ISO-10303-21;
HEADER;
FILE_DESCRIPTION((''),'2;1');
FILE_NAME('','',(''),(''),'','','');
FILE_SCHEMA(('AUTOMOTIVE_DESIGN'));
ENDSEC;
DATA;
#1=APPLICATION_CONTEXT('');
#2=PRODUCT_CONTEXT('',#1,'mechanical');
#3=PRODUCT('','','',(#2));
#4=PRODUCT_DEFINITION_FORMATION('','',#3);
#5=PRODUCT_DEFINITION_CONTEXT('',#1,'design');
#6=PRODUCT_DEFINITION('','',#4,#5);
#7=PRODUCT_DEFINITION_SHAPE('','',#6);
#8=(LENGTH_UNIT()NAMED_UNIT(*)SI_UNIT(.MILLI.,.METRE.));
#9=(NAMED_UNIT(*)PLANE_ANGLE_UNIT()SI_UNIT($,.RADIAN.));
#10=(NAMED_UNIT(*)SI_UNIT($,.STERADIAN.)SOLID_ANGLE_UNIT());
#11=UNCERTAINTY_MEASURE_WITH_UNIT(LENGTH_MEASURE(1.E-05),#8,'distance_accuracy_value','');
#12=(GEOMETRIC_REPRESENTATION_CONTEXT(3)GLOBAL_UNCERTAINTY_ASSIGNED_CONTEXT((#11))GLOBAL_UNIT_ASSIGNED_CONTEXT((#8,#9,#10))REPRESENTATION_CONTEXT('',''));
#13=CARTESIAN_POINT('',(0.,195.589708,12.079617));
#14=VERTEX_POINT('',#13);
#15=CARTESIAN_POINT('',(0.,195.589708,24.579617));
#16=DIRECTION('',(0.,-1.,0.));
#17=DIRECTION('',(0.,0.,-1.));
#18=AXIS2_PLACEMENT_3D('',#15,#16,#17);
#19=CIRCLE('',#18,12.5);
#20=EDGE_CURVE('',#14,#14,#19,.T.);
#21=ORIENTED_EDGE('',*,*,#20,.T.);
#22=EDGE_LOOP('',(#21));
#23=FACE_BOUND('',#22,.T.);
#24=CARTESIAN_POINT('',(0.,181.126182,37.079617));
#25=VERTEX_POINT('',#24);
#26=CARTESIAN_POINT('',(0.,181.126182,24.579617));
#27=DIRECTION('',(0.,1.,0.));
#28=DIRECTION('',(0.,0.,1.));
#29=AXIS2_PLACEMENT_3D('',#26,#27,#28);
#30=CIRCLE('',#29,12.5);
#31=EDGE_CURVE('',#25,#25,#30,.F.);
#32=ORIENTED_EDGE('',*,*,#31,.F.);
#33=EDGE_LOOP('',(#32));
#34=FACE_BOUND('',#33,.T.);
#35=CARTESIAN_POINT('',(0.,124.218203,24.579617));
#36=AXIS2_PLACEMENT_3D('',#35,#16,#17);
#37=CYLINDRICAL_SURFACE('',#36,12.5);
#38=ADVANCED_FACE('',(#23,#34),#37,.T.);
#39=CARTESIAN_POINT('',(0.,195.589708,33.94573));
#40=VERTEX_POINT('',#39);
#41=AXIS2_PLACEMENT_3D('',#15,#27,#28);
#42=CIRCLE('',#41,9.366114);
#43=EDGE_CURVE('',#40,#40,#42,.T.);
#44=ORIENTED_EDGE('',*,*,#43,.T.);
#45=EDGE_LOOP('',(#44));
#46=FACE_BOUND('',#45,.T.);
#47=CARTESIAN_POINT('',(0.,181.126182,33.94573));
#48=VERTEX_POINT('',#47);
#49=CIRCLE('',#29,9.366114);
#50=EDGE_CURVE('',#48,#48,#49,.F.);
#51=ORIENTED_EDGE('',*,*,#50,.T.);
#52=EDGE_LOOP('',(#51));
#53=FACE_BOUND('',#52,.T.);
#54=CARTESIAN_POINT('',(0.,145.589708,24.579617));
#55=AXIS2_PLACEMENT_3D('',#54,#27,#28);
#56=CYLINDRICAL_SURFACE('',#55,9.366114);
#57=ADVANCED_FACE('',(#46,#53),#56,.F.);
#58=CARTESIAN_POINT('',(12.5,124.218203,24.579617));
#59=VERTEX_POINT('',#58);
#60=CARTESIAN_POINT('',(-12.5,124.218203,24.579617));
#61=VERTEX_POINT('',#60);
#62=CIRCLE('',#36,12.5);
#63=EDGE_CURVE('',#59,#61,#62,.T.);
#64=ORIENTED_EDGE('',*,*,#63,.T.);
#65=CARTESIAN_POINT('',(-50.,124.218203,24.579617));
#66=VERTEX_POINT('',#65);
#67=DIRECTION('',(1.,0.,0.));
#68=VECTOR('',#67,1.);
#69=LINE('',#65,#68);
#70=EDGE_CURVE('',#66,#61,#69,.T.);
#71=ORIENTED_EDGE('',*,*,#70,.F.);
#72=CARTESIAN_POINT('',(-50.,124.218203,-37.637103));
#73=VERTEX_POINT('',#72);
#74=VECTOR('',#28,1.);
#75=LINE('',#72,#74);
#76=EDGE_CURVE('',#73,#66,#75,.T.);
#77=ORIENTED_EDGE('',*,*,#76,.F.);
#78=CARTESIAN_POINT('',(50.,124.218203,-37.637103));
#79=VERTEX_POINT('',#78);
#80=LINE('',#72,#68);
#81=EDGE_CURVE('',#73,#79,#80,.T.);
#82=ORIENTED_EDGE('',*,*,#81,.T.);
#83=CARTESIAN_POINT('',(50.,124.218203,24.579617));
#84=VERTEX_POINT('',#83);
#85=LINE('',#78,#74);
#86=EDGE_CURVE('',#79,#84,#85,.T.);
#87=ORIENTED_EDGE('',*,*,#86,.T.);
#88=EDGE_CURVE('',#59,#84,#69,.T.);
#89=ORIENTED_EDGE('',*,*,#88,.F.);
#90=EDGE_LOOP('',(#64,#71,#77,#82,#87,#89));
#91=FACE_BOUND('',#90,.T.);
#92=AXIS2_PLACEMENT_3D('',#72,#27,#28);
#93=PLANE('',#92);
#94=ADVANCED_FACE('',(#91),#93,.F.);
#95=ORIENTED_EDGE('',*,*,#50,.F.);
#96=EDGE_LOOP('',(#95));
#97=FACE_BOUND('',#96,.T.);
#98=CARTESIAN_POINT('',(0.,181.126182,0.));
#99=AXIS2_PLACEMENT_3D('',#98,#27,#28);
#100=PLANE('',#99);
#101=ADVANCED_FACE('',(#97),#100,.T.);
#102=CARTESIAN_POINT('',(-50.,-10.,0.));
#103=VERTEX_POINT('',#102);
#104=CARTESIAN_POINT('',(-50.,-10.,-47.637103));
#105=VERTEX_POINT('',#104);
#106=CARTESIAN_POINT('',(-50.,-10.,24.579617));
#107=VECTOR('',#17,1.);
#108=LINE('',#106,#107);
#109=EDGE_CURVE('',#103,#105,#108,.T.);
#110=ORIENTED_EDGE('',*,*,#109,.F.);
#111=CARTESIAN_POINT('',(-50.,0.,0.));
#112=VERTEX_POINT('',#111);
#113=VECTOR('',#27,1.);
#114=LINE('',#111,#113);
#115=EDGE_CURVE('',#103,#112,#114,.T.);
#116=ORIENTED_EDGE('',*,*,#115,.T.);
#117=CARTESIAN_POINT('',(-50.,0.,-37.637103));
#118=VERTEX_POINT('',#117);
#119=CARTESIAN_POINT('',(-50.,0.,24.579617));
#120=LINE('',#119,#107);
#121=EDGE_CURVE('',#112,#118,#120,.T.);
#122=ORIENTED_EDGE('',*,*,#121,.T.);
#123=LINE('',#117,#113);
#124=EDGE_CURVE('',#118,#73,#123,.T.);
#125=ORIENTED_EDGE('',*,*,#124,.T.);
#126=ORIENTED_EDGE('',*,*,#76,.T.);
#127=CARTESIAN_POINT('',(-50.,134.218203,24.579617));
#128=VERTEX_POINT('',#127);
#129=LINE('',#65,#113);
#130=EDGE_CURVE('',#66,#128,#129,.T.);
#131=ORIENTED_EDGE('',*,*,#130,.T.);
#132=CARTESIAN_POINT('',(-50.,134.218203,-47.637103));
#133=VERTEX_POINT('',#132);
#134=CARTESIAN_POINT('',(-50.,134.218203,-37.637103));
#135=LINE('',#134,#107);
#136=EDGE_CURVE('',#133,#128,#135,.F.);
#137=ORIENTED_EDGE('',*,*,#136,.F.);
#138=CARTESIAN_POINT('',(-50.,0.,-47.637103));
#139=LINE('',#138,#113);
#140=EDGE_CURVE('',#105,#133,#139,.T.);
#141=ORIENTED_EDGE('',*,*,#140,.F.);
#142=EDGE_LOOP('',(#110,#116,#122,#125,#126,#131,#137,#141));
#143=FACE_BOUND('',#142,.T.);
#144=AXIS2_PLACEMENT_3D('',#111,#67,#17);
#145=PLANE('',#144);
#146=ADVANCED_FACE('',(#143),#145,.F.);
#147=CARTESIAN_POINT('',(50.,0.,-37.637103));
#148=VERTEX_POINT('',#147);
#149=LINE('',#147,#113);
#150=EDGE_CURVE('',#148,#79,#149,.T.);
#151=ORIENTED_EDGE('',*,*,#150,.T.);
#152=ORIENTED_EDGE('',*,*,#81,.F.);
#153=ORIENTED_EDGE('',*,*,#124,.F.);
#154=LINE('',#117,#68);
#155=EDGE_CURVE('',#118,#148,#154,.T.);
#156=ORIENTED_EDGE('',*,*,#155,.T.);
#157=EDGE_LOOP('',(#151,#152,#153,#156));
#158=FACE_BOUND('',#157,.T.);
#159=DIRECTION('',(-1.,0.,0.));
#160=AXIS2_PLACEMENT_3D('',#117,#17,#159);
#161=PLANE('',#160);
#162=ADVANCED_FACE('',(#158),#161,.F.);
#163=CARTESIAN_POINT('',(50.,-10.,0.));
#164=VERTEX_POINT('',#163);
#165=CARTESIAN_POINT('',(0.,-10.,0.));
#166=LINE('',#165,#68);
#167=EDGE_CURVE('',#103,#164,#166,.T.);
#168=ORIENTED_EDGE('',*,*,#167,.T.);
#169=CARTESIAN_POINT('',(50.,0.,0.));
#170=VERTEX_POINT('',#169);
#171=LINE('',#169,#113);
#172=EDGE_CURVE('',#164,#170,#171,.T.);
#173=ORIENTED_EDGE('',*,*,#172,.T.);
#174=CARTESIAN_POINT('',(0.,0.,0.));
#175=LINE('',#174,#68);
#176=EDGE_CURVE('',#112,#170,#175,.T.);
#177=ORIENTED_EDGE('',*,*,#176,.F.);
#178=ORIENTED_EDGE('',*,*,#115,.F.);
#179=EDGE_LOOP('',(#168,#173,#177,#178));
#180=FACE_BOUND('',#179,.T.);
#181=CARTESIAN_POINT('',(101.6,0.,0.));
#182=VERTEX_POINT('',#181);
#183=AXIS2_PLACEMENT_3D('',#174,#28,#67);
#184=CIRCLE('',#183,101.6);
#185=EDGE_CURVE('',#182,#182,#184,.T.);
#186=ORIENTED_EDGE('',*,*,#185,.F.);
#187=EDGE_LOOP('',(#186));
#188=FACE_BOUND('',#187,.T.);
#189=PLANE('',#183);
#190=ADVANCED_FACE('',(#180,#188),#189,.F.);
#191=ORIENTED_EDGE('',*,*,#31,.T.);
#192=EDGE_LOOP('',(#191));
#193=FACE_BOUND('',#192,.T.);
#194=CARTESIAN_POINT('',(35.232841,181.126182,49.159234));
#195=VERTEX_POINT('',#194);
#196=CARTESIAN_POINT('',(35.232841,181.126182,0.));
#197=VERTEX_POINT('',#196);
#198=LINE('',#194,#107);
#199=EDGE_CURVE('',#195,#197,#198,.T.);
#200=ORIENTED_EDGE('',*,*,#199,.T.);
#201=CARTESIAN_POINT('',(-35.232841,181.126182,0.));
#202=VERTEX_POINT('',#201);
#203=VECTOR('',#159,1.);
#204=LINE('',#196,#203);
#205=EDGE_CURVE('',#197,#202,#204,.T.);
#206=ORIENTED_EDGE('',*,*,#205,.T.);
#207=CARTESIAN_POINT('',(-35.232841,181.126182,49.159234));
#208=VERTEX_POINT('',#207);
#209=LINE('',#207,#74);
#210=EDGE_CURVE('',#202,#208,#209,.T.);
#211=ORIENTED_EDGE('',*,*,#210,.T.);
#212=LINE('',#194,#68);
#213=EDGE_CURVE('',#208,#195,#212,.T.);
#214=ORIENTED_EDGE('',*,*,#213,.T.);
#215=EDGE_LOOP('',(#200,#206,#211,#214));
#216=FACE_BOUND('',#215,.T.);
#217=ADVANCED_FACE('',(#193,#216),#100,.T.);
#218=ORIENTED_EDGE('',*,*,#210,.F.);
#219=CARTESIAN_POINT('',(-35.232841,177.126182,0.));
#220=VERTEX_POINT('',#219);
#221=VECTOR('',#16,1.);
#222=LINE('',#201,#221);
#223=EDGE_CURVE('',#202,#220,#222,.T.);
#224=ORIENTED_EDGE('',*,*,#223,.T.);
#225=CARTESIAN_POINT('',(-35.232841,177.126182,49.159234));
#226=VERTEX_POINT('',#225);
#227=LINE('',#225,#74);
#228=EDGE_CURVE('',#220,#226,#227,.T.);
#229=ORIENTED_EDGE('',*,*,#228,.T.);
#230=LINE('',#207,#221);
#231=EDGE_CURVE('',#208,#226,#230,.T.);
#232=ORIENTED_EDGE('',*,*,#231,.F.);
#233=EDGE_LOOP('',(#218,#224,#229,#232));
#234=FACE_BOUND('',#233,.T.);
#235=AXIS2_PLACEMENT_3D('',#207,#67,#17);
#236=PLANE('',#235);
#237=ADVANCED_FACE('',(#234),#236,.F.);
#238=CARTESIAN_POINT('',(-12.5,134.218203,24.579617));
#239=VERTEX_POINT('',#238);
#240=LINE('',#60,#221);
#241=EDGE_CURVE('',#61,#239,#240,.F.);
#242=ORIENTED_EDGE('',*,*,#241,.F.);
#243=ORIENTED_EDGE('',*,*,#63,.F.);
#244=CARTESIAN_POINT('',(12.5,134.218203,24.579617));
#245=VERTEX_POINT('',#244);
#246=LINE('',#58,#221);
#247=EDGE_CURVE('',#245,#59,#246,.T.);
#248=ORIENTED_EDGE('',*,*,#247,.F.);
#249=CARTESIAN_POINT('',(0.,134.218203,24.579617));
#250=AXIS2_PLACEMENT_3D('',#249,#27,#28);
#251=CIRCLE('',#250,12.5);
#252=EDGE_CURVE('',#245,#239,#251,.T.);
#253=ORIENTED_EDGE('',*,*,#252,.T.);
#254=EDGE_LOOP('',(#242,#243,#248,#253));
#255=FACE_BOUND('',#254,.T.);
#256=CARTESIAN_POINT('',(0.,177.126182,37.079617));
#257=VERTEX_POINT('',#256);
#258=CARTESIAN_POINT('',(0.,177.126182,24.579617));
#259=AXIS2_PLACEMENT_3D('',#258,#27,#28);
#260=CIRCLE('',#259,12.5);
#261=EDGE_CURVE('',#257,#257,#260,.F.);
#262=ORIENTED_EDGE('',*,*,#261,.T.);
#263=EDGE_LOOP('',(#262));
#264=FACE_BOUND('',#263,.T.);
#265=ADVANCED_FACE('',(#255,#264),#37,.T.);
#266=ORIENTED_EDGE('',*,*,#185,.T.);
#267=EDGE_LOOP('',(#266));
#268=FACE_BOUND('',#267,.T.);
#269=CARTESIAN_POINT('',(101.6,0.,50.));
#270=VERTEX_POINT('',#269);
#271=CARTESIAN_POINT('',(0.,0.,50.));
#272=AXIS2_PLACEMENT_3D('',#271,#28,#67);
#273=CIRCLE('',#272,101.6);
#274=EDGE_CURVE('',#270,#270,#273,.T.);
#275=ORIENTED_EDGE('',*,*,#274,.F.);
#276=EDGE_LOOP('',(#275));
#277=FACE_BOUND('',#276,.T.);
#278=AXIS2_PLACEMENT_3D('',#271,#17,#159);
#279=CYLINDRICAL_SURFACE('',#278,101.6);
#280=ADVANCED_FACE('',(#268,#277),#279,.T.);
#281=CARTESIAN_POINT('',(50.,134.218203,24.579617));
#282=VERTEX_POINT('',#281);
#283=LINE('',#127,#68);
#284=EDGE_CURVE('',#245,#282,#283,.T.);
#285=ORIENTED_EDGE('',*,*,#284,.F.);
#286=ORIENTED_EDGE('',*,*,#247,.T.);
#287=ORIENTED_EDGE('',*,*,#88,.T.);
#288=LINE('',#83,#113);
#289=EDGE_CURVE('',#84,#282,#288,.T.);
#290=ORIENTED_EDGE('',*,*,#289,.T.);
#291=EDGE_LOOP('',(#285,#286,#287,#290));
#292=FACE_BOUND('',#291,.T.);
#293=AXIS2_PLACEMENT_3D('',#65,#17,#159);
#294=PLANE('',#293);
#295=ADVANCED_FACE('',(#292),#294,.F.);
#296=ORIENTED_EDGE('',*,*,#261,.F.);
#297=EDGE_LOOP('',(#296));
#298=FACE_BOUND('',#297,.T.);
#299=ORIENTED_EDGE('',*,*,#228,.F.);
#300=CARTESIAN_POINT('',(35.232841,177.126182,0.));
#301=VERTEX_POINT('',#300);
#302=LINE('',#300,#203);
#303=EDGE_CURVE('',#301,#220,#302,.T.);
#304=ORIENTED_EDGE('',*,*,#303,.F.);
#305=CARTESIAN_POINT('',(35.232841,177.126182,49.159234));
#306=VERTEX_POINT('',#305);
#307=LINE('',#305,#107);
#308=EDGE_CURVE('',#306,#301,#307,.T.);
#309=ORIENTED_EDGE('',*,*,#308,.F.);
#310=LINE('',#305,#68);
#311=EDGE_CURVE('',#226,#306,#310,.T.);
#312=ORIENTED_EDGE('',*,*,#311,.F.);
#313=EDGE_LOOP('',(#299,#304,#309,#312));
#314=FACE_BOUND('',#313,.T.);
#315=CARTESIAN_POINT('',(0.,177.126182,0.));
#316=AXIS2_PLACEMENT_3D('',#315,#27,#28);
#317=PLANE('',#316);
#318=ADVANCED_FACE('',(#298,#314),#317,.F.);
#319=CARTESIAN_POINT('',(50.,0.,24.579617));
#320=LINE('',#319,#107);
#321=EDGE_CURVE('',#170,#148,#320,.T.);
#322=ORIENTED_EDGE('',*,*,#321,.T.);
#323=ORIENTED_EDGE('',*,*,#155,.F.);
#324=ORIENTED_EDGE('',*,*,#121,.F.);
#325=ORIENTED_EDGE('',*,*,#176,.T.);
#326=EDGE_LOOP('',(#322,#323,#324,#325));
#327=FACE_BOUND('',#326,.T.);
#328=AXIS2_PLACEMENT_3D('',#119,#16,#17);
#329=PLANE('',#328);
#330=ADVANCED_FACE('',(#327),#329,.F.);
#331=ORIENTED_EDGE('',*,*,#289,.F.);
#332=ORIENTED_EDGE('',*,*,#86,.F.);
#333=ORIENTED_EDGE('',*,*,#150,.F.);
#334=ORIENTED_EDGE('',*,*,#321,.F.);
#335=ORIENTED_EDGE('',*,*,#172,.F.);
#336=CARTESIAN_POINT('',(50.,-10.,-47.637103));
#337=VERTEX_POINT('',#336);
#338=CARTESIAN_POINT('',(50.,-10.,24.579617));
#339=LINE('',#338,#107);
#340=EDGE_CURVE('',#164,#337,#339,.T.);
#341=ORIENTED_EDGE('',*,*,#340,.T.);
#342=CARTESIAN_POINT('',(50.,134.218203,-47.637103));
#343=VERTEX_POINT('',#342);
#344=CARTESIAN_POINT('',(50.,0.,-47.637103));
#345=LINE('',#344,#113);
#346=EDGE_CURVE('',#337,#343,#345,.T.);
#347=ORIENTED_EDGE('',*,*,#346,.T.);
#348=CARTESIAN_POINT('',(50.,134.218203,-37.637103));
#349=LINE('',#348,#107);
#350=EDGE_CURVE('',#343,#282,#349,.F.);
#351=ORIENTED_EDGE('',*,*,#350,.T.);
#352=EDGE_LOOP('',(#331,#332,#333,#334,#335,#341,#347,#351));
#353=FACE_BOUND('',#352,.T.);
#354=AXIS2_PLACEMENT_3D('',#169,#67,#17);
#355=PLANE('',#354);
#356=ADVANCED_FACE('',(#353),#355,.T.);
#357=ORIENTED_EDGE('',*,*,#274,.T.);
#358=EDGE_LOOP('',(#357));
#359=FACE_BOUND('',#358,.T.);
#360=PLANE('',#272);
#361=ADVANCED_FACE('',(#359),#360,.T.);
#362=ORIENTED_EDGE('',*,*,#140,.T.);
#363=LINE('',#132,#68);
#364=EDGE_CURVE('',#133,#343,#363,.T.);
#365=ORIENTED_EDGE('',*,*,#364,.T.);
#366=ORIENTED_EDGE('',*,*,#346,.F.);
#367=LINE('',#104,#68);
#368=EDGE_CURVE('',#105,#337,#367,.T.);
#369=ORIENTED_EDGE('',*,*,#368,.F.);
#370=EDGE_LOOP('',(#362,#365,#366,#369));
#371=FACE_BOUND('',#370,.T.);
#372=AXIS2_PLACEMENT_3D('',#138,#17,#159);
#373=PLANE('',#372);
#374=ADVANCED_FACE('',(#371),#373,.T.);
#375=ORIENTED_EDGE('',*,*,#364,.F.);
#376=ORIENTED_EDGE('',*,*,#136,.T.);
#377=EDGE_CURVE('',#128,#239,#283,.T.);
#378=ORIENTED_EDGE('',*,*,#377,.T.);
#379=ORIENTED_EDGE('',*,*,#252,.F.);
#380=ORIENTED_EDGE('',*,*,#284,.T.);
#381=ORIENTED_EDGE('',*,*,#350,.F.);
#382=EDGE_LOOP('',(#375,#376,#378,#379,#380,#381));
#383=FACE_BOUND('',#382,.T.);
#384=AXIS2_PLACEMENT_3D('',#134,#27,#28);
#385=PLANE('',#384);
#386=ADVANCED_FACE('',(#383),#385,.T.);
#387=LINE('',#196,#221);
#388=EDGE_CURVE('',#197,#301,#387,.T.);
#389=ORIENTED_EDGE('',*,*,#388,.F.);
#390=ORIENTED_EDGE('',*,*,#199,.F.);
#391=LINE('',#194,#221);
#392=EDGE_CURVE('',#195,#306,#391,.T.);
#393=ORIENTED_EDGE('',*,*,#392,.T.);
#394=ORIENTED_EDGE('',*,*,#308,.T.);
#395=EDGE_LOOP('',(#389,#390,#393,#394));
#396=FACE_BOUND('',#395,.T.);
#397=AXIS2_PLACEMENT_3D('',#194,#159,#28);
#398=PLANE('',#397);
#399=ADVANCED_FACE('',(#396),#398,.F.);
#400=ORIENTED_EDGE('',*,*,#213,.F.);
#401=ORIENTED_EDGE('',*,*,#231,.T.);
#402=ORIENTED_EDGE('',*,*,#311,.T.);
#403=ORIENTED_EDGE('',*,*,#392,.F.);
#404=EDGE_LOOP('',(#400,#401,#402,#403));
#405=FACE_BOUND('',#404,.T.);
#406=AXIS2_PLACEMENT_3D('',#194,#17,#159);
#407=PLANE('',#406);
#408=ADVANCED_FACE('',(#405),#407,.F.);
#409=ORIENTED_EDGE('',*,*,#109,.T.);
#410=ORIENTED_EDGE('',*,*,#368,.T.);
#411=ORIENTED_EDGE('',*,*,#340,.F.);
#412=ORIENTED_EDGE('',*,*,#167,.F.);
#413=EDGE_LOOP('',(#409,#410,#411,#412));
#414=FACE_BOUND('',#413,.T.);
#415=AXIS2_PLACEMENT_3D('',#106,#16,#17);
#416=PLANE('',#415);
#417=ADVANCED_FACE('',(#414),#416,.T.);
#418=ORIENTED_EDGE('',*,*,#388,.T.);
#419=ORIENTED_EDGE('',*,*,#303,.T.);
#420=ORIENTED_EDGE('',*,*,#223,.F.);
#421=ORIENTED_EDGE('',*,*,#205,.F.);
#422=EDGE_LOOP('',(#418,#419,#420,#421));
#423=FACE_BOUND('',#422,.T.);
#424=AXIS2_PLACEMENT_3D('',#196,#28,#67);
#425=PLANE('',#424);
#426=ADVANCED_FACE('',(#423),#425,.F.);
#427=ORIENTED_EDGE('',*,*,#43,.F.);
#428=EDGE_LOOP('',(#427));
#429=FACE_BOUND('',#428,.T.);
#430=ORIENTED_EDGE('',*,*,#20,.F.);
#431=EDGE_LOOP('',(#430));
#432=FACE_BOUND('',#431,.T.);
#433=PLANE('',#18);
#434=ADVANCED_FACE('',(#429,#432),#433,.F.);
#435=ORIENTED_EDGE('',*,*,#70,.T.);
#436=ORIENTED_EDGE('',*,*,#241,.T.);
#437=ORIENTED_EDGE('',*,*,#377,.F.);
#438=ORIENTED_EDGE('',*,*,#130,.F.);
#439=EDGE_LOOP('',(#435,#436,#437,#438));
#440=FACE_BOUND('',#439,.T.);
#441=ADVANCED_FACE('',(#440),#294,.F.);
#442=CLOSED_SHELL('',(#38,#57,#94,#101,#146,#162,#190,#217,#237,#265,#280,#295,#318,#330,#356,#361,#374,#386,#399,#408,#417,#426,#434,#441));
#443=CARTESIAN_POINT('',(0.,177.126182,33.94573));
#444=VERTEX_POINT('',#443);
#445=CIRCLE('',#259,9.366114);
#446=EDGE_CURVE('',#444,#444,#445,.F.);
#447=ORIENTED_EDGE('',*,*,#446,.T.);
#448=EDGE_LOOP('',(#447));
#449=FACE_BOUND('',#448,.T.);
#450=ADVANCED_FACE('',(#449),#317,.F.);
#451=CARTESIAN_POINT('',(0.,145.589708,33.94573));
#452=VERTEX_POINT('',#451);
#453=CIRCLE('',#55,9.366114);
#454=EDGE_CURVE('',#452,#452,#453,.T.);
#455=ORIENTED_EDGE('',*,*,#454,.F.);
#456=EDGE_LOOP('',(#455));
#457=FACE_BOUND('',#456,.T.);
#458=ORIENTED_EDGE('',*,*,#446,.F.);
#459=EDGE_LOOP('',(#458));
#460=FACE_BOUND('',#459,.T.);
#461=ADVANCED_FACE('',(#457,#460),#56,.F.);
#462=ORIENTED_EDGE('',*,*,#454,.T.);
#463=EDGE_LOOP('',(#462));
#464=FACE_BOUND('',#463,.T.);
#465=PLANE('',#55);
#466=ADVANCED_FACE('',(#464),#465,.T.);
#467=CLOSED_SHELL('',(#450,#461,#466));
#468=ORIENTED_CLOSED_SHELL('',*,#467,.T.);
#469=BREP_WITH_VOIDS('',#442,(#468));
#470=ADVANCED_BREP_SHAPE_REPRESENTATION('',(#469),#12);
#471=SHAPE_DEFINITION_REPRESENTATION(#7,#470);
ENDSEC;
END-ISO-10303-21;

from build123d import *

# Parameters (mm, degrees)
SKETCH1_R                = 101.6
BOSS_EXTRUDE1_DEPTH      = 50
SKETCH4_W                = 12.5
SKETCH4_H                = 71.371504998
EXTRUDE_THIN1_DEPTH      = 50
EXTRUDE_THIN1_DEPTH_BACK = 50
SKETCH5_R                = 9.366113587
CUT_EXTRUDE1_DEPTH       = 50
SKETCH6_W                = 70.465682624
SKETCH6_H                = 49.159233517
BOSS_EXTRUDE2_DEPTH      = 4


with BuildPart() as part:
    # Sketch1 → Boss-Extrude1 (new body)
    with BuildSketch(Plane.XY):
        Circle(SKETCH1_R)
    extrude(amount=BOSS_EXTRUDE1_DEPTH)



with BuildPart() as body_2:
    # Sketch4 → Revolve-Thin1 (revolve)
    with BuildSketch(Plane(origin=(0, 0, 0), x_dir=(0, 0, -1), z_dir=(1, 0, 0)), mode=Mode.PRIVATE) as revolve_thin1_sk:
        with Locations((-30.829616759, 159.903955702)):
            Rectangle(SKETCH4_W, SKETCH4_H)
    revolve(revolve_thin1_sk.sketch.rotate(Axis((0, 124.218203203, 24.579616759), (0, 1, 0)), 180), axis=Axis((0, 124.218203203, 24.579616759), (0, 1, 0)))


with BuildPart() as part_1:
    add(part.part)

    add(body_2.part)  # Extrude-Thin1 merges body 2
    # Sketch3 → Extrude-Thin1 (add, two sides: drawn at the far end of the back side and taken through both)
    with BuildSketch(Plane(origin=(0, 0, 0), x_dir=(0, 0, -1), z_dir=(1, 0, 0)).offset(-EXTRUDE_THIN1_DEPTH_BACK)):
        Polygon((-24.579616759, 0), (37.637102953, 0), (37.637102953, 124.218203203), (-24.579616759, 124.218203203), (-24.579616759, 134.218203203), (47.637102953, 134.218203203), (47.637102953, -10), (-24.579616759, -10), align=None)
    extrude(amount=EXTRUDE_THIN1_DEPTH + EXTRUDE_THIN1_DEPTH_BACK)

    # Sketch5 → Cut-Extrude1 (cut)
    with BuildSketch(Plane(origin=(0, 195.589708201, 0), x_dir=(1, 0, 0), z_dir=(0, 1, 0))):
        with Locations(Location((0, -24.579616759, 0), (0, 0, 270))):
            Circle(SKETCH5_R)
    extrude(amount=-CUT_EXTRUDE1_DEPTH, mode=Mode.SUBTRACT)

    # Sketch6 → Boss-Extrude2 (add)
    with BuildSketch(Plane(origin=(0, 177.126182074, 0), x_dir=(1, 0, 0), z_dir=(0, 1, 0))):
        with Locations((0, -24.579616759)):
            Rectangle(SKETCH6_W, SKETCH6_H)
    extrude(amount=BOSS_EXTRUDE2_DEPTH)


solid = part_1.part
